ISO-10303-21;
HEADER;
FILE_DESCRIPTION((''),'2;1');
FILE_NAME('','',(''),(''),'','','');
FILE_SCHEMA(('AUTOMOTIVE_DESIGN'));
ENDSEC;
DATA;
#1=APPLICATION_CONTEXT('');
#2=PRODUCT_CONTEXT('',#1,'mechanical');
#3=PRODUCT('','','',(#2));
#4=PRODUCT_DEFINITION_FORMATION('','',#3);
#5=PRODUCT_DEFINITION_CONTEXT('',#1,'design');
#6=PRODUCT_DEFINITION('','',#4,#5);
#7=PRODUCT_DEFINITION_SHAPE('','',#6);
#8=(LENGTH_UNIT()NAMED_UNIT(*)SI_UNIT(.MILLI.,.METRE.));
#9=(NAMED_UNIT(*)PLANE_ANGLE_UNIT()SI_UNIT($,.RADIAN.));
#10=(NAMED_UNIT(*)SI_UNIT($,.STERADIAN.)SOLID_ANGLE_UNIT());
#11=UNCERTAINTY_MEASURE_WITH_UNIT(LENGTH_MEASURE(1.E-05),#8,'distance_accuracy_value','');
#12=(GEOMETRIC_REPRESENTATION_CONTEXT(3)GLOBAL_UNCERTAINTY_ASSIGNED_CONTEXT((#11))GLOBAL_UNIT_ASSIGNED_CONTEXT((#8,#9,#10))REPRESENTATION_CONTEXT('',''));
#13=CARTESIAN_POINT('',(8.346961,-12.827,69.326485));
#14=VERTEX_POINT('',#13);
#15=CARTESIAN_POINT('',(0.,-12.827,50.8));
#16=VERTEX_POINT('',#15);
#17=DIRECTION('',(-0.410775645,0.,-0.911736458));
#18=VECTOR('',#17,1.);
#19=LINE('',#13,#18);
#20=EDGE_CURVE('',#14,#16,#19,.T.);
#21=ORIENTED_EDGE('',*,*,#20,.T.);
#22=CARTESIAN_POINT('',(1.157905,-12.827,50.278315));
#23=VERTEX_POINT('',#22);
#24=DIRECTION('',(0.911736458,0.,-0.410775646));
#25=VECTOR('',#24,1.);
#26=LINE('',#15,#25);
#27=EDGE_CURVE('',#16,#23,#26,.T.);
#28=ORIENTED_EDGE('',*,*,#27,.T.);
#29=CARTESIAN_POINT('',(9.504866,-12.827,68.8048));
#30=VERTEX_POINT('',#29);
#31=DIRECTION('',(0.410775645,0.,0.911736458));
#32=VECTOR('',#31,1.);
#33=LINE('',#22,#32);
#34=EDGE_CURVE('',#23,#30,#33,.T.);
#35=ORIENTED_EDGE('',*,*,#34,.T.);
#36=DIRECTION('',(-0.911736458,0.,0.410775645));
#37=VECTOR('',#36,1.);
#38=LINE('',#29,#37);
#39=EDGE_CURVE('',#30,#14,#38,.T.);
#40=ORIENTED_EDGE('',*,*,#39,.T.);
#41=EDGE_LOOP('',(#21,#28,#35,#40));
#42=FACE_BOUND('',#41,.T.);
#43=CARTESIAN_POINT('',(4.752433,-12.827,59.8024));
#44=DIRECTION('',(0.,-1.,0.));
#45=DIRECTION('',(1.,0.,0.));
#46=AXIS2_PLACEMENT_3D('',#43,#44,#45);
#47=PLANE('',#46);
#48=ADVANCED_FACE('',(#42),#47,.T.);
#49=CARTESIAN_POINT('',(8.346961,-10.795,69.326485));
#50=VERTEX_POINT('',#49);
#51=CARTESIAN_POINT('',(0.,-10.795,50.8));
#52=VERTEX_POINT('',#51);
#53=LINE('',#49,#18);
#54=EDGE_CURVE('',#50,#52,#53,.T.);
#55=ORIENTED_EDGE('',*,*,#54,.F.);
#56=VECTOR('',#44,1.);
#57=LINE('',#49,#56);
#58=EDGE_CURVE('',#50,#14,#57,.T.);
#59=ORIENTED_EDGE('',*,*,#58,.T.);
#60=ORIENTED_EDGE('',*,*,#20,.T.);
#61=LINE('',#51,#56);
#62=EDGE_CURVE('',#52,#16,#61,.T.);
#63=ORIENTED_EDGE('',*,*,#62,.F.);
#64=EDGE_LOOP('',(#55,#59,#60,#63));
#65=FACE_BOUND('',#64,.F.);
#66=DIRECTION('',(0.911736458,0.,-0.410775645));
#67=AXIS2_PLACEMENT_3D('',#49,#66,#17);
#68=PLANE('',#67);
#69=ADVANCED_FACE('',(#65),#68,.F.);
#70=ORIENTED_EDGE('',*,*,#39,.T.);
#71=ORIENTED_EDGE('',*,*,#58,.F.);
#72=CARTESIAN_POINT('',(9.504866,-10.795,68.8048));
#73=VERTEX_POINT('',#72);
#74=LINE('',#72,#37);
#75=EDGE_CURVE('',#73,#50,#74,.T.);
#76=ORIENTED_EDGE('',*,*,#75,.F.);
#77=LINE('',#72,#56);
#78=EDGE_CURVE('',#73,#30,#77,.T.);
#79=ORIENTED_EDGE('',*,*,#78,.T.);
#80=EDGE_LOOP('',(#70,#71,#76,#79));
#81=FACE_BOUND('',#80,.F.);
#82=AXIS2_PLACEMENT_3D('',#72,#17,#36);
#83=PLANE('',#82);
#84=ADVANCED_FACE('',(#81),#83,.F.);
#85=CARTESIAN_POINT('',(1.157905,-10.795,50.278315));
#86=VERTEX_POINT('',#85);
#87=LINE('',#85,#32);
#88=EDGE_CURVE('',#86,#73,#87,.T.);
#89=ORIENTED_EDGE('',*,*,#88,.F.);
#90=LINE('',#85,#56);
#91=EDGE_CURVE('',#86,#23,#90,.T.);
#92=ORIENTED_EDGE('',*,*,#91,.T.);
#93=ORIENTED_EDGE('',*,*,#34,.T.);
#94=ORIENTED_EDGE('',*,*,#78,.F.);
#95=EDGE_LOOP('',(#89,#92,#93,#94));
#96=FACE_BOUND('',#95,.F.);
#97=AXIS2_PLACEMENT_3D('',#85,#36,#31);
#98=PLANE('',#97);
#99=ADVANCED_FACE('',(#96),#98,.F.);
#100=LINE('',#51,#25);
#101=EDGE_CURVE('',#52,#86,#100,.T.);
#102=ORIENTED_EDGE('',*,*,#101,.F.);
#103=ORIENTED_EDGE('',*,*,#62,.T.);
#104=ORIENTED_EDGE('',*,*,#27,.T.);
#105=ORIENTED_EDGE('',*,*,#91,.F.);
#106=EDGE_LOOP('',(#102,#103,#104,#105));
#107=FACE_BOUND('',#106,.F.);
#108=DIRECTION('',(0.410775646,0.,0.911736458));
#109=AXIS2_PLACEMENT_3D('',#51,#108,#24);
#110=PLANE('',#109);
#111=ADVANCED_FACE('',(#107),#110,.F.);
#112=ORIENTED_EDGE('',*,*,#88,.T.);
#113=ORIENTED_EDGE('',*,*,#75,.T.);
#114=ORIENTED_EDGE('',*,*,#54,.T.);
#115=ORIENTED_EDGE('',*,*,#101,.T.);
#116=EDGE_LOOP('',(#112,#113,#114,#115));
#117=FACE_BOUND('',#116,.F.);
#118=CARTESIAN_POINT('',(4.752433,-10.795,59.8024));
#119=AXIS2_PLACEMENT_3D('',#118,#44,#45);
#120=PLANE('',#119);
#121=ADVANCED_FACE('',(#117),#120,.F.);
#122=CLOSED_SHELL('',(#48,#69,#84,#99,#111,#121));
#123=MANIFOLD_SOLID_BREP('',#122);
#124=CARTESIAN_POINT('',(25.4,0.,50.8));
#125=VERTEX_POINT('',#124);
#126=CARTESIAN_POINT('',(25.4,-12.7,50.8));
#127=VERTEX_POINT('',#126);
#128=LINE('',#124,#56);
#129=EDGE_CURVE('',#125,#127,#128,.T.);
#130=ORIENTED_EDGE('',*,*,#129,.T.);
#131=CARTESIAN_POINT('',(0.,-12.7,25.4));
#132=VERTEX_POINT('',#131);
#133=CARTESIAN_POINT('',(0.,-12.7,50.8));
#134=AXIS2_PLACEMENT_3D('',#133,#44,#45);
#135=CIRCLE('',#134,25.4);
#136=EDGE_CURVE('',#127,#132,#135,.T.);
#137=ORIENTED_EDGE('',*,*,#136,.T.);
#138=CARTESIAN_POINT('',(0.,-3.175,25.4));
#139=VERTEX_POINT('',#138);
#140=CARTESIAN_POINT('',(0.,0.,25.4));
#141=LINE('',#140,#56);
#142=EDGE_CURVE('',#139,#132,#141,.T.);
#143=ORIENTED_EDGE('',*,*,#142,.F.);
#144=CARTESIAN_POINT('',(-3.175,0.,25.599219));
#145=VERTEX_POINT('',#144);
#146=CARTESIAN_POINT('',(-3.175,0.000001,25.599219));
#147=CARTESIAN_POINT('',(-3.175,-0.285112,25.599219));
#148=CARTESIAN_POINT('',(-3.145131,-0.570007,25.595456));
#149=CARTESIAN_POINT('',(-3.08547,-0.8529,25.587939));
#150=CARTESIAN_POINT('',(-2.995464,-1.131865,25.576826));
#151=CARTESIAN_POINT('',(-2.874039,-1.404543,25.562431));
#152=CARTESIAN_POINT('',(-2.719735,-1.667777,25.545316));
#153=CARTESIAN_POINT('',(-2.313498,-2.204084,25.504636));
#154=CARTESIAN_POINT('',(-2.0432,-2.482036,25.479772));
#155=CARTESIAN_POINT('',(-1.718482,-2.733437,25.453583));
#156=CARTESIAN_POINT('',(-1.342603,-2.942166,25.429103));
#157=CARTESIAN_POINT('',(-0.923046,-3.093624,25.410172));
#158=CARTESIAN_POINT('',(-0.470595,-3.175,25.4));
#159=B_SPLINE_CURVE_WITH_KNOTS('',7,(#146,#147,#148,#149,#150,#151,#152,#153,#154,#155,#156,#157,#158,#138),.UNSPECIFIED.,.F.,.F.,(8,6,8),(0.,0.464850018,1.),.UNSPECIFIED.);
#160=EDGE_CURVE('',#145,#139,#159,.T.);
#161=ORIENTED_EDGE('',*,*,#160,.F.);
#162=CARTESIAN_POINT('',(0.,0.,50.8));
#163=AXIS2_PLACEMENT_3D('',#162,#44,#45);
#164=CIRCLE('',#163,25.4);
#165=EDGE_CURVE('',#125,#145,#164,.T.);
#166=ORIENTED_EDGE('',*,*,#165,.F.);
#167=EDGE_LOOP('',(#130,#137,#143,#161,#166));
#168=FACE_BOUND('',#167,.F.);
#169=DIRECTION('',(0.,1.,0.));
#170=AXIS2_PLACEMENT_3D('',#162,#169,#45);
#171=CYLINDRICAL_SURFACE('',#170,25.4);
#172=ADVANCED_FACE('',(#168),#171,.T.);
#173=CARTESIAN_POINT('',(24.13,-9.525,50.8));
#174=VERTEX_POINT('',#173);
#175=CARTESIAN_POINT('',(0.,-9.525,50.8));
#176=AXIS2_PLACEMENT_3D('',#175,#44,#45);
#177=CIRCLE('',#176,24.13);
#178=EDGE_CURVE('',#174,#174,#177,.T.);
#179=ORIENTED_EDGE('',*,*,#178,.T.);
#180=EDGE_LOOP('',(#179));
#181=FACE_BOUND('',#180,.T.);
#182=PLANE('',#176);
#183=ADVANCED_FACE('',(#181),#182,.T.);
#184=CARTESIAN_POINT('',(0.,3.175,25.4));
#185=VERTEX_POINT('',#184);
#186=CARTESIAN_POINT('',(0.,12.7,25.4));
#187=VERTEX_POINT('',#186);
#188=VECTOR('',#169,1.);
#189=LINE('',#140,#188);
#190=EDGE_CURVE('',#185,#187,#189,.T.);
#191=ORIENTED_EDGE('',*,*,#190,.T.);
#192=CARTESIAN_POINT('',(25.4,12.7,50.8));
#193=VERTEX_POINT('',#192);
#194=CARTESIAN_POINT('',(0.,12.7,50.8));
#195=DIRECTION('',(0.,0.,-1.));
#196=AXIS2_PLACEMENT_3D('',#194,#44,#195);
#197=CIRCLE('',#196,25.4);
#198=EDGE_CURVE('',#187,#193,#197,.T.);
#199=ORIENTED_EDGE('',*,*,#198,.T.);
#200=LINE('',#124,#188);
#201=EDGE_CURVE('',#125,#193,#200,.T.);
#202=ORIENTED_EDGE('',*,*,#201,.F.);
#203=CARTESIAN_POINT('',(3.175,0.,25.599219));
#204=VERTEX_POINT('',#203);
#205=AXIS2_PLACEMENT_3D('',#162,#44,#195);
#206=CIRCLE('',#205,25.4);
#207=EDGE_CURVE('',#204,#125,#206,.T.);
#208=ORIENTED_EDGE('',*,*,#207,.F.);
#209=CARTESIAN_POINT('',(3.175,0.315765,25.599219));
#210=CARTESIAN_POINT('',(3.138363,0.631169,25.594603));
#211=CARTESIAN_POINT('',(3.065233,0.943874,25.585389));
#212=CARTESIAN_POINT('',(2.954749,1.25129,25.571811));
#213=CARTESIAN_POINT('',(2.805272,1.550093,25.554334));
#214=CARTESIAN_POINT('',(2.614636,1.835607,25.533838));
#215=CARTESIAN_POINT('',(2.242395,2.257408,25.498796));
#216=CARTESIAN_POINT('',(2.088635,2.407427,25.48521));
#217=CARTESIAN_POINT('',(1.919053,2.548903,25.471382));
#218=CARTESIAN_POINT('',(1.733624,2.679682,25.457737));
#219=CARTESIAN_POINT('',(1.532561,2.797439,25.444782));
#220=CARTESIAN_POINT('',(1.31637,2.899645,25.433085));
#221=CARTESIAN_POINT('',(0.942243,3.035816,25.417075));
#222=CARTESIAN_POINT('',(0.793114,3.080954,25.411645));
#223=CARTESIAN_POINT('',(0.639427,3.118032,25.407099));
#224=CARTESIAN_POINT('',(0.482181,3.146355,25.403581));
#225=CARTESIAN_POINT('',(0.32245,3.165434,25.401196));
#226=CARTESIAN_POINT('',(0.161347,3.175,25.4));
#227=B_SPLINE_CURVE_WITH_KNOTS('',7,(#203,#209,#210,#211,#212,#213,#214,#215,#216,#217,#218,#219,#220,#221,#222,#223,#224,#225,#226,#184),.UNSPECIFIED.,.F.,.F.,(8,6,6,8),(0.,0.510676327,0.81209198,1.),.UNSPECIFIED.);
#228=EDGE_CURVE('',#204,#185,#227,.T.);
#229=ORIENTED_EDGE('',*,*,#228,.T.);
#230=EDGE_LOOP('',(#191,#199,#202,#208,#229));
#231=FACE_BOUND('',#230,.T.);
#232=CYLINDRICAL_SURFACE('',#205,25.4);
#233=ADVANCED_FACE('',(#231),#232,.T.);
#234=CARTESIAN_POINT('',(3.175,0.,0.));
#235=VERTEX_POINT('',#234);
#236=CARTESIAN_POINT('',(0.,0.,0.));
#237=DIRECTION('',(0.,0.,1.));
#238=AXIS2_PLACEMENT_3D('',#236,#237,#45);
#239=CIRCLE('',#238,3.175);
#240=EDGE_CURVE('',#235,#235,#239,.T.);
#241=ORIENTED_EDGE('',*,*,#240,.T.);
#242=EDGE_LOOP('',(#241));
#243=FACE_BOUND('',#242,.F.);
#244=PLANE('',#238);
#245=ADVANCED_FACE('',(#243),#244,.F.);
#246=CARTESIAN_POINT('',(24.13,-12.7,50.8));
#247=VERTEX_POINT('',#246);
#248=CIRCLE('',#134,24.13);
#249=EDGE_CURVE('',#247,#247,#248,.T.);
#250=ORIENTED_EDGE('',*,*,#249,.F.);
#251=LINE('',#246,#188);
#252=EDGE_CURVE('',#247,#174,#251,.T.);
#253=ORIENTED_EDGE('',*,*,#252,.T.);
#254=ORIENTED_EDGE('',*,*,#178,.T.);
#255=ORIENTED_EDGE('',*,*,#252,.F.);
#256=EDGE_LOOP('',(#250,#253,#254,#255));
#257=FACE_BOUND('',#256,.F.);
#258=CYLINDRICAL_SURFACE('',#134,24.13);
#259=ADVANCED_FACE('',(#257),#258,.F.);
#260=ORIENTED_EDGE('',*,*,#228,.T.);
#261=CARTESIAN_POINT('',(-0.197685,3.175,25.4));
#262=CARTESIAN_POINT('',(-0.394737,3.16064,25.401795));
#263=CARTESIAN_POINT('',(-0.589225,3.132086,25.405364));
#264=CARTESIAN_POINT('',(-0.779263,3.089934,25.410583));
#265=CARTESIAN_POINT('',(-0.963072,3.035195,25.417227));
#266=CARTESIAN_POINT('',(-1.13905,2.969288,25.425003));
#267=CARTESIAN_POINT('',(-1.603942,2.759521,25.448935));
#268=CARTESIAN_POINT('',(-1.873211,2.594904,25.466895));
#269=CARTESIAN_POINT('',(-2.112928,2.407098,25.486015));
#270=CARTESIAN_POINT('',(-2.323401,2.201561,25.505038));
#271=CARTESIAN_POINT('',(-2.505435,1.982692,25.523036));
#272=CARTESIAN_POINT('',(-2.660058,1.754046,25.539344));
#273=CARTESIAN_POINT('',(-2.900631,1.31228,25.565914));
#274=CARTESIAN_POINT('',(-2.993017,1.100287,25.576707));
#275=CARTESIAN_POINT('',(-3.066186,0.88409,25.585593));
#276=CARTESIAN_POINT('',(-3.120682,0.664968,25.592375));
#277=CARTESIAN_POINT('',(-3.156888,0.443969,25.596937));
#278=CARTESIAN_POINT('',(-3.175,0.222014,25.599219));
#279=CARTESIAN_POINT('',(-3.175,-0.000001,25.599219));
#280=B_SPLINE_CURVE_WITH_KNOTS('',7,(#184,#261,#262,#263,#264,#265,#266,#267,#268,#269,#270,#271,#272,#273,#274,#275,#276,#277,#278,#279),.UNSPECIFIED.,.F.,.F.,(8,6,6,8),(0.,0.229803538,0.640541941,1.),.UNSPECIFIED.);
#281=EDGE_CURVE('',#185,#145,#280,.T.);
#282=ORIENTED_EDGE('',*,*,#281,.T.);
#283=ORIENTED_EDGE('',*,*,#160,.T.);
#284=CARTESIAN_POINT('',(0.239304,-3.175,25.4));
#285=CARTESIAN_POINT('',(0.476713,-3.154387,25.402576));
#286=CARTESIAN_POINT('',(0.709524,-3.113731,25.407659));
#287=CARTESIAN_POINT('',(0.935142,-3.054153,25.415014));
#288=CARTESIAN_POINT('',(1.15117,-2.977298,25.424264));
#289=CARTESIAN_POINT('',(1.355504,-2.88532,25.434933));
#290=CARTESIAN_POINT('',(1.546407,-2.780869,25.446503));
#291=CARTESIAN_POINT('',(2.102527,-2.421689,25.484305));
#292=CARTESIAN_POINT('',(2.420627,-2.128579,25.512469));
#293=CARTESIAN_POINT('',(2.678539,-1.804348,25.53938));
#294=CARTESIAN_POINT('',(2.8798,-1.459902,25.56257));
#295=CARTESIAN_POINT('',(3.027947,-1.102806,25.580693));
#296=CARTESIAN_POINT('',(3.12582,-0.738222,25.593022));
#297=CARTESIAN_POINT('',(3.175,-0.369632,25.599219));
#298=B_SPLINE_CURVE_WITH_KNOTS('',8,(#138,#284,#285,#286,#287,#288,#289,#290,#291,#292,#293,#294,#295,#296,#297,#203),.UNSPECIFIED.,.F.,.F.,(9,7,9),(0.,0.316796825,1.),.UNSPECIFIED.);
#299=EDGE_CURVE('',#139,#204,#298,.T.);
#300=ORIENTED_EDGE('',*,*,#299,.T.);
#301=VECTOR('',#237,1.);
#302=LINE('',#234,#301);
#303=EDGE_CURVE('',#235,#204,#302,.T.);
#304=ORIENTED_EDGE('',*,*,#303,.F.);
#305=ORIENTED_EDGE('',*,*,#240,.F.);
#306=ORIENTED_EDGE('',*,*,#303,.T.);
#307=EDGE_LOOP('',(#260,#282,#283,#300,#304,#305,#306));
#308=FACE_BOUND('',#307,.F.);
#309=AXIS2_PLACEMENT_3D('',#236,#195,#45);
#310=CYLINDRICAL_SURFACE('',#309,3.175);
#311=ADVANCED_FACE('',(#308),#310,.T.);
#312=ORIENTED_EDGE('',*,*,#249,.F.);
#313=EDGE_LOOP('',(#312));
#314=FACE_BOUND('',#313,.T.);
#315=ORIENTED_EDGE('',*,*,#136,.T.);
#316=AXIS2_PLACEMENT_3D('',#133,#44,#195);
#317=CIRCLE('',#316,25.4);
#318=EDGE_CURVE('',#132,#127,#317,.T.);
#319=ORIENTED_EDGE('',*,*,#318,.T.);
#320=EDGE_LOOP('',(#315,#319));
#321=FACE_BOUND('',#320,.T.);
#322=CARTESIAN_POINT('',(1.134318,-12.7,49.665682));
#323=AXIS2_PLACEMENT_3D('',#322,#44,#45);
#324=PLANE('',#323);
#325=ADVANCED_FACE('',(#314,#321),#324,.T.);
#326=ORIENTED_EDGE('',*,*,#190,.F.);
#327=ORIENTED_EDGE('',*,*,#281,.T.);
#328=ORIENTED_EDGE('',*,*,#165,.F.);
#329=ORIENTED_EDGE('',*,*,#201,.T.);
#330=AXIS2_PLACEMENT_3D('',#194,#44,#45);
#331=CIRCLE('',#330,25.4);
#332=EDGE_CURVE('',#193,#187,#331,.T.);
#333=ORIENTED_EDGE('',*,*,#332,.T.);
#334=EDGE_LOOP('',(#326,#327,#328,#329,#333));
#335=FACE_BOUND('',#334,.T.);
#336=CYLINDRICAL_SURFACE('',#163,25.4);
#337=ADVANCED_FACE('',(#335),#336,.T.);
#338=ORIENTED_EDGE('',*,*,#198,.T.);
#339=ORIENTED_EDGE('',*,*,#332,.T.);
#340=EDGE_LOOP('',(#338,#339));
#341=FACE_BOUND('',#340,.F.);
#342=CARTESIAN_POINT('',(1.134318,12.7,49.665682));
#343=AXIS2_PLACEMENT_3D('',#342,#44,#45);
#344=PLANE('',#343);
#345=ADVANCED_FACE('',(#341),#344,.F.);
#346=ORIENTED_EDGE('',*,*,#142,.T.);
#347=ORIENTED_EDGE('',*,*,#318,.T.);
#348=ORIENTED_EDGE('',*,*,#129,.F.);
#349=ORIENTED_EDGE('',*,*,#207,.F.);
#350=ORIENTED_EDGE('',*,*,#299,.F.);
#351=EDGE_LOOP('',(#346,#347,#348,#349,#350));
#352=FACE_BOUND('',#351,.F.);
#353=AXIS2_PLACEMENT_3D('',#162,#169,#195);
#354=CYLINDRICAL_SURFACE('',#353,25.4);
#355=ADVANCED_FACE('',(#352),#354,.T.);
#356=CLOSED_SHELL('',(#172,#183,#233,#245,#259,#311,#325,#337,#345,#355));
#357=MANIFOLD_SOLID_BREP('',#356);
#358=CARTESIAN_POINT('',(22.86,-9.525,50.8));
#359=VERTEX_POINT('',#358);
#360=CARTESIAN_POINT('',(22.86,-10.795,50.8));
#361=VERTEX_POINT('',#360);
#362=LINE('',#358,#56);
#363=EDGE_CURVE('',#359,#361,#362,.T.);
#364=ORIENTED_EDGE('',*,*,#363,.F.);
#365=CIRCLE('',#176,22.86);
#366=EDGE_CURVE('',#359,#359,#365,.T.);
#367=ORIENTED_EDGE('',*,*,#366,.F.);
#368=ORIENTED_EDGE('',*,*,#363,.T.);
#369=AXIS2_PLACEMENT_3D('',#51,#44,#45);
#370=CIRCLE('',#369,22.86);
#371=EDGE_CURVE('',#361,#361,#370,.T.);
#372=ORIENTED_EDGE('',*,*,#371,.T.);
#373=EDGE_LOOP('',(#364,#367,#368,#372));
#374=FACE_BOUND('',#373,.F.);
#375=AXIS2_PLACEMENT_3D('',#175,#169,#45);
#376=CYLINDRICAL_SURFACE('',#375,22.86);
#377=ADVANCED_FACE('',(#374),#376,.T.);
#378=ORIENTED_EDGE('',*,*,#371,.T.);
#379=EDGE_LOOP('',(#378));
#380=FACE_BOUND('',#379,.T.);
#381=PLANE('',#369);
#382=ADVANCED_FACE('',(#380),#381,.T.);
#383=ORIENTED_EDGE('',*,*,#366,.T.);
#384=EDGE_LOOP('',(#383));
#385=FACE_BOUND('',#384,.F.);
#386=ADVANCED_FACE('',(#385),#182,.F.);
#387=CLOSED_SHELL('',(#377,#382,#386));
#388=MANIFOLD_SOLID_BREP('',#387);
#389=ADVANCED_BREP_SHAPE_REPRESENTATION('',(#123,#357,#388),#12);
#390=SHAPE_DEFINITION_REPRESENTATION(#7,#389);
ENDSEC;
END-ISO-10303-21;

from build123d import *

# Parameters (mm, degrees)
F1_R      = 3.175
F2_DEPTH  = 38.1
F3_DEPTH  = 12.7
F4_R      = 24.13
F5_DEPTH  = 3.175
F6_R      = 24.13
F7_DEPTH  = 3.175
F8_R      = 22.86
F9_DEPTH  = 1.27
F11_DEPTH = 2.032


with BuildPart() as f2:
    # F1 (on Top) → F2 (new body)
    with BuildSketch(Plane.XY):
        Circle(F1_R)
    extrude(amount=F2_DEPTH)

    # F0 (on Front) → F3 (join, symmetric)
    with BuildSketch(Plane.XZ):
        with BuildLine():
            ThreePointArc((0, 25.4), (17.9605122421, 32.8394877579), (25.4, 50.8))
            ThreePointArc((25.4, 50.8), (-17.9605122421, 68.7605122421), (0, 25.4))
        make_face()
    extrude(amount=F3_DEPTH, both=True)

    # F4 (on face) → F5 (join)
    with BuildSketch(Plane.XZ.offset(12.7)):
        with Locations((0, 50.8)):
            Circle(F4_R)
    extrude(amount=-F5_DEPTH)

    # F6 (on face) → F7 (cut)
    with BuildSketch(Plane.XZ.offset(12.7)):
        with Locations((0, 50.8)):
            Circle(F6_R)
    extrude(amount=-F7_DEPTH, mode=Mode.SUBTRACT)


with BuildPart() as f9:
    # F8 (on face) → F9 (new body)
    with BuildSketch(Plane.XZ.offset(9.525)):
        with Locations((0, 50.8)):
            Circle(F8_R)
    extrude(amount=F9_DEPTH)


with BuildPart() as f11:
    # F10 (on face) → F11 (new body)
    with BuildSketch(Plane.XZ.offset(10.795)):
        Polygon((8.3469611164, 69.326484829), (0, 50.8), (1.1579053018, 50.2783149302), (9.5048664182, 68.8047997593), align=None)
    extrude(amount=F11_DEPTH)


solid = Compound([f2.part, f9.part, f11.part])
